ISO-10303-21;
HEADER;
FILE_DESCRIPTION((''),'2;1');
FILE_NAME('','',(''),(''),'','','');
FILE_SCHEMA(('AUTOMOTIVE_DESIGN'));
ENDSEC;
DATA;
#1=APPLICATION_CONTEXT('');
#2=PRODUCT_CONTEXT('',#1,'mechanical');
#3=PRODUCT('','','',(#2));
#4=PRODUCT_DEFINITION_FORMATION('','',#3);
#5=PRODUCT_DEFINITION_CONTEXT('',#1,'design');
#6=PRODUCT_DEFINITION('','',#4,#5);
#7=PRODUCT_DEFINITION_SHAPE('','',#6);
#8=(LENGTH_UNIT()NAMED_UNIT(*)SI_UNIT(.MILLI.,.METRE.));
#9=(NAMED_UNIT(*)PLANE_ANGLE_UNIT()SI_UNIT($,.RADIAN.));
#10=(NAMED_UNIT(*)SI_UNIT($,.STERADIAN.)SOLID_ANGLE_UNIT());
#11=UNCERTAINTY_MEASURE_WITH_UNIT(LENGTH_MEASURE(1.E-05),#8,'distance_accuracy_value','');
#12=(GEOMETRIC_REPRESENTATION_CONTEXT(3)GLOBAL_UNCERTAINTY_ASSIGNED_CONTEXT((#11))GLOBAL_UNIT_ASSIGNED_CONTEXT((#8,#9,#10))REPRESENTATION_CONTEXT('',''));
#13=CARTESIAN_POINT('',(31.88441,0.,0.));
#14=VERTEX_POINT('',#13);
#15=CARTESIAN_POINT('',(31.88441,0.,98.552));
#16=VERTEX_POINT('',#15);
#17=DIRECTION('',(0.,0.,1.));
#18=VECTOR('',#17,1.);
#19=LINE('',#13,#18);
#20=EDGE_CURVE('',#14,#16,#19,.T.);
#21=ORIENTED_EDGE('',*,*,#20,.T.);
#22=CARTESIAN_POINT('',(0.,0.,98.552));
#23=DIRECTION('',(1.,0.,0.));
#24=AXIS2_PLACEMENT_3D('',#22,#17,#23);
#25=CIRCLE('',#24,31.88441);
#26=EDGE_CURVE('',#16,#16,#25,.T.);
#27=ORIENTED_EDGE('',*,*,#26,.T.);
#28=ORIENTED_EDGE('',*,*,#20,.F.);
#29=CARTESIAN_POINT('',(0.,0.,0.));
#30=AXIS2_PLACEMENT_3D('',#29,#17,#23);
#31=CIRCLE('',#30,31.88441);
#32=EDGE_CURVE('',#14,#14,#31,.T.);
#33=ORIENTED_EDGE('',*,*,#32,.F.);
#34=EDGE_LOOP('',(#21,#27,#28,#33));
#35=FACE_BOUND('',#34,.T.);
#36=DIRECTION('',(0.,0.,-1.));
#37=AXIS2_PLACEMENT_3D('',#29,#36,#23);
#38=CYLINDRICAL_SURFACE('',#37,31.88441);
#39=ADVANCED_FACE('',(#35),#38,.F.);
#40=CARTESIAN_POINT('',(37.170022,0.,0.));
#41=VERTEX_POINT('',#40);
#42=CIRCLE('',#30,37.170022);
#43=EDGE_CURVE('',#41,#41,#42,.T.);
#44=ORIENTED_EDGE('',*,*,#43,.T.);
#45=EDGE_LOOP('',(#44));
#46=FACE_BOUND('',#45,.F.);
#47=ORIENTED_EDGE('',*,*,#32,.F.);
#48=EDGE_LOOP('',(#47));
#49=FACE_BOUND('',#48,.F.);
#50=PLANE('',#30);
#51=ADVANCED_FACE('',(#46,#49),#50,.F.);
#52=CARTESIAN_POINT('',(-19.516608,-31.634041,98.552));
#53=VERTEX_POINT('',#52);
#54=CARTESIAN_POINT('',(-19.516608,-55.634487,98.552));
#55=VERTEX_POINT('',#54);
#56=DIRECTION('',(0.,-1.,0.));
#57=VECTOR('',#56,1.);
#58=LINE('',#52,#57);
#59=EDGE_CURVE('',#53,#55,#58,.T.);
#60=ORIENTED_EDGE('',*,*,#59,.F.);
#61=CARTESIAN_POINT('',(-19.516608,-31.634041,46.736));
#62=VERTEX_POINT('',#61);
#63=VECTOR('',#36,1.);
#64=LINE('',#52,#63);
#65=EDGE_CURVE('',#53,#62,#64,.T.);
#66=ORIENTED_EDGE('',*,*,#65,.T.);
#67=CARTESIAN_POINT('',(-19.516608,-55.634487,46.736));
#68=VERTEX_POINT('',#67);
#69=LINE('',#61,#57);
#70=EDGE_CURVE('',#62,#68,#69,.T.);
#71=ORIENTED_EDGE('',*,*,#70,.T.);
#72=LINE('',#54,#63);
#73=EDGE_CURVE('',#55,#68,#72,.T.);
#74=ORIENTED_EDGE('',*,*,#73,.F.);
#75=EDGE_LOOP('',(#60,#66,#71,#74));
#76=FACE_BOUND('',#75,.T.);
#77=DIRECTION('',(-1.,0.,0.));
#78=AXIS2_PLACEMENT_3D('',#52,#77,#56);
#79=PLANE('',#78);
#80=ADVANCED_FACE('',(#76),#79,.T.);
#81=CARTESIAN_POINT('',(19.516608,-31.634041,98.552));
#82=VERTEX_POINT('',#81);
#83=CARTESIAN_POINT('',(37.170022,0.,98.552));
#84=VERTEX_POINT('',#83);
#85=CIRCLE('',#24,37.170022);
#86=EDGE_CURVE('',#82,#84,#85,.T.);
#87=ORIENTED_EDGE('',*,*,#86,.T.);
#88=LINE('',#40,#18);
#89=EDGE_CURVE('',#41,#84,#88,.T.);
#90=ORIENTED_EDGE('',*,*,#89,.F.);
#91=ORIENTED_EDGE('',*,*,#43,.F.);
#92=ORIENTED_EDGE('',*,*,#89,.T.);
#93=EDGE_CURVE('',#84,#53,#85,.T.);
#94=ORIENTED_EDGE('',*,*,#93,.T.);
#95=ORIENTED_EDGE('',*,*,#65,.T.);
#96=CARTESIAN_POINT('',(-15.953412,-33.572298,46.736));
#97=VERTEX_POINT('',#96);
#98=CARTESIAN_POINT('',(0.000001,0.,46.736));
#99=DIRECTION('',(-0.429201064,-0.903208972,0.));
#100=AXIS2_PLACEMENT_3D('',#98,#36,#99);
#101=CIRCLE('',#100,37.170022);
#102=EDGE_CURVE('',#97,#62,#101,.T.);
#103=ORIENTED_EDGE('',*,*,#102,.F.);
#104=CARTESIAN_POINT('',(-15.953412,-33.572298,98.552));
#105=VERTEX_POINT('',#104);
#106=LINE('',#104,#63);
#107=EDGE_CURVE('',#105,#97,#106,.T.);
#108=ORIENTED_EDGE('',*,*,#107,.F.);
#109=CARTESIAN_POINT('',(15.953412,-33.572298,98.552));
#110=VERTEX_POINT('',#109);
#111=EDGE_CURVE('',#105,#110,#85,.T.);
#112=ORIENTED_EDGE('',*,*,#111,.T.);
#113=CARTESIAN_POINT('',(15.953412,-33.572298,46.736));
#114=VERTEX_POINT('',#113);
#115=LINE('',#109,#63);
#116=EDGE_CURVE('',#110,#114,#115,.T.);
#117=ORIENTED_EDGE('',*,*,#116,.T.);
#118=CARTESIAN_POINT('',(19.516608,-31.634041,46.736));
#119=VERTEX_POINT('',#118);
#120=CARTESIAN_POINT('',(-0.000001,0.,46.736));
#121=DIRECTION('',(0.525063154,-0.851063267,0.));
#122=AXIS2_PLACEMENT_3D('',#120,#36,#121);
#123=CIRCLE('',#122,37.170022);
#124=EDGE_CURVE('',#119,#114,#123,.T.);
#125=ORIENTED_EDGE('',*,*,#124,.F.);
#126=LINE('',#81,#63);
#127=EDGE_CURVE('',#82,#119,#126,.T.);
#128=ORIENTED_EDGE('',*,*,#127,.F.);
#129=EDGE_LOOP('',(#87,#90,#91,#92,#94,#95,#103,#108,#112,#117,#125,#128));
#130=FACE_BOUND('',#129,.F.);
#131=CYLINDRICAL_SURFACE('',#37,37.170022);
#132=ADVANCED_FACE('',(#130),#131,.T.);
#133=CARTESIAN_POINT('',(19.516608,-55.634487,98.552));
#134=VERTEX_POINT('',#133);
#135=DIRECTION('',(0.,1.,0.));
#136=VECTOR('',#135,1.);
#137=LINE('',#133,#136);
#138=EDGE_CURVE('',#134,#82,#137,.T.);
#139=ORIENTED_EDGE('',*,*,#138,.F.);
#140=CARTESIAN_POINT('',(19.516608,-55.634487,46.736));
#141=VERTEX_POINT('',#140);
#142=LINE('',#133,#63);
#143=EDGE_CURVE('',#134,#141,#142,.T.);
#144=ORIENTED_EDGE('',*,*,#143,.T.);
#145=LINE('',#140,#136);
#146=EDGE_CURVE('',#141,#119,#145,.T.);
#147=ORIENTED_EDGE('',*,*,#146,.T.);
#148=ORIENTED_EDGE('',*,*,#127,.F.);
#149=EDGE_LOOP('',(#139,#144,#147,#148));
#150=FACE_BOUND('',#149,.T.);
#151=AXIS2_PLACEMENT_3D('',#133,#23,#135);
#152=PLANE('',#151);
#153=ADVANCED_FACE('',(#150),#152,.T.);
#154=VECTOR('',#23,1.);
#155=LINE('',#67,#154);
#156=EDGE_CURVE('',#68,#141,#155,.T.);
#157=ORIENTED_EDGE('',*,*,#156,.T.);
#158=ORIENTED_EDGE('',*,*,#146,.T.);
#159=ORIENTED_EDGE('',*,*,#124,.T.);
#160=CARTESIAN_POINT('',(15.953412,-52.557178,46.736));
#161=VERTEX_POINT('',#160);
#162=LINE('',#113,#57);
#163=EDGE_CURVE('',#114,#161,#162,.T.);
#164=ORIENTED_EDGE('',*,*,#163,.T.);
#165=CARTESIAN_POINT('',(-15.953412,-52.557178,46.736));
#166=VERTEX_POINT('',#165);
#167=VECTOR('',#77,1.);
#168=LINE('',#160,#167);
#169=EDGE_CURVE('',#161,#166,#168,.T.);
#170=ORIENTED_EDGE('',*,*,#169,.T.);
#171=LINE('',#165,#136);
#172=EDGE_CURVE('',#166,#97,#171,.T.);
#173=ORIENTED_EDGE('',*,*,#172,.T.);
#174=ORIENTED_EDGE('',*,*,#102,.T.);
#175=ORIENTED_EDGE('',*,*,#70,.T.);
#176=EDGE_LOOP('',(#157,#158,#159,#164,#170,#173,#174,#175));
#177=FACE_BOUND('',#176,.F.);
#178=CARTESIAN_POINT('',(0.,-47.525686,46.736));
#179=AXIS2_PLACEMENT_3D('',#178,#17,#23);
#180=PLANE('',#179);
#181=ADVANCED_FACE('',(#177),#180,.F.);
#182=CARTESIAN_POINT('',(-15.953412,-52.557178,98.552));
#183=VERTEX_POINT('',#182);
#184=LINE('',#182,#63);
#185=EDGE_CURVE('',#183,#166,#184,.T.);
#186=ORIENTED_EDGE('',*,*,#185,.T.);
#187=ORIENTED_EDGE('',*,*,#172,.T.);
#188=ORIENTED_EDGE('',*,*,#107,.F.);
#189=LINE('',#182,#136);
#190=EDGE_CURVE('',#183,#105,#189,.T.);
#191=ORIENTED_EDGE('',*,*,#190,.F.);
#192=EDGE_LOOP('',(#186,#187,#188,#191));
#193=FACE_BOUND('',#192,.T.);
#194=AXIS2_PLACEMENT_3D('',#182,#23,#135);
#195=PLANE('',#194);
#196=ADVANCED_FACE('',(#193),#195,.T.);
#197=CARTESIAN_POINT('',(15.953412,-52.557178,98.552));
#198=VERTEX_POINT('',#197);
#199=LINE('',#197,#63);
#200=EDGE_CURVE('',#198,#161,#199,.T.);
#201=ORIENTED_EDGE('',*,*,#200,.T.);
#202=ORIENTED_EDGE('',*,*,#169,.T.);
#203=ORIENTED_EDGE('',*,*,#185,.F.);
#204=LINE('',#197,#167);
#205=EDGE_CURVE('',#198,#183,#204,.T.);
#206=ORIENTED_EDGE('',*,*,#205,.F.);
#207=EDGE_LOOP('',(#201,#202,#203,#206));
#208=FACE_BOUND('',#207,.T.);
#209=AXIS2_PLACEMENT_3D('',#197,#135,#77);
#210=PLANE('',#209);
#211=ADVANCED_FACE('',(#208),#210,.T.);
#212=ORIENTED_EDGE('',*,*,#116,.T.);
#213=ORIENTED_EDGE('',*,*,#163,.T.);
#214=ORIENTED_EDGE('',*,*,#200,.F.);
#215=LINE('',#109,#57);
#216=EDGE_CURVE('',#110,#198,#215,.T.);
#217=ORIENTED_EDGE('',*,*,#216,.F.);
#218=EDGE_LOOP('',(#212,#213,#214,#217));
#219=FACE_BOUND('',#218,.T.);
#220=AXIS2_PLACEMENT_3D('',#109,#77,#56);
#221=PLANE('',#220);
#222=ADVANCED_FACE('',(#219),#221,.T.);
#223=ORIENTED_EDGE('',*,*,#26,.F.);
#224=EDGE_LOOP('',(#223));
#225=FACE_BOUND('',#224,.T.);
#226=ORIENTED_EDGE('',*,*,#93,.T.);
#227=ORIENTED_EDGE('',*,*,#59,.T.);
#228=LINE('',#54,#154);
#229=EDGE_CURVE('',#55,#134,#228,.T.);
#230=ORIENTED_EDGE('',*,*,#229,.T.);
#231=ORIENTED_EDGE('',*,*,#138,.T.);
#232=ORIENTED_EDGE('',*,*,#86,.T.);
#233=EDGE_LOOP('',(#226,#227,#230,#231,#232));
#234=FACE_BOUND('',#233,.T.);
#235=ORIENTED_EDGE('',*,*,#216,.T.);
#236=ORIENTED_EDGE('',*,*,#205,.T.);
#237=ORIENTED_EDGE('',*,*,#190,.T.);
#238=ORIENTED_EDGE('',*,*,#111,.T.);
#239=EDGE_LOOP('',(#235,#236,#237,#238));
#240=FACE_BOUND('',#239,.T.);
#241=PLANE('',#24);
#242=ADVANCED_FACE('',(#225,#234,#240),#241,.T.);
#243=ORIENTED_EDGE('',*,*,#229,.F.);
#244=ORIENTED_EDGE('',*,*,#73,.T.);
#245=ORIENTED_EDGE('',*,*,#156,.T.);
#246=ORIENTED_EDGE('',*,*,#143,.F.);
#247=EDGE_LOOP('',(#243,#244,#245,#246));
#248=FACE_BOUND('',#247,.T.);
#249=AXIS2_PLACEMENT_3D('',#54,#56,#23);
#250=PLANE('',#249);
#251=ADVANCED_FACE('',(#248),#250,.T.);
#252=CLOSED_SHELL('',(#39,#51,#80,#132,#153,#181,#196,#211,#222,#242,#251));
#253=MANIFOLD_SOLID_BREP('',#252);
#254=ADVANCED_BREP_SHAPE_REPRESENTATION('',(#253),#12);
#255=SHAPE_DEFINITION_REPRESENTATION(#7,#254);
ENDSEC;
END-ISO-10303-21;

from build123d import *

# Parameters (mm, degrees)
F0_R     = 37.170022
F0_R_2   = 31.88441
F1_DEPTH = 98.552
F3_DEPTH = 51.816


with BuildPart() as f1:
    # F0 (on Top) → F1 (new body)
    with BuildSketch(Plane.XY):
        Circle(F0_R)
        Circle(F0_R_2, mode=Mode.SUBTRACT)
    extrude(amount=F1_DEPTH)

    # F2 (on face) → F3 (join)
    with BuildSketch(Plane.XY.offset(98.552)):
        with BuildLine():
            Line((-19.516608, -55.634487), (19.516608, -55.634487))
            Line((19.516608, -55.634487), (19.516608, -31.634041))
            ThreePointArc((19.516608, -31.634041), (17.761469, -32.651811), (15.953412, -33.572298))
            Line((15.953412, -33.572298), (15.953412, -52.557178))
            Line((15.953412, -52.557178), (-15.953412, -52.557178))
            Line((-15.953412, -52.557178), (-15.953412, -33.572298))
            ThreePointArc((-15.953412, -33.572298), (-17.761469, -32.651811), (-19.516608, -31.634041))
            Line((-19.516608, -31.634041), (-19.516608, -55.634487))
        make_face()
    extrude(amount=-F3_DEPTH)


solid = f1.part
